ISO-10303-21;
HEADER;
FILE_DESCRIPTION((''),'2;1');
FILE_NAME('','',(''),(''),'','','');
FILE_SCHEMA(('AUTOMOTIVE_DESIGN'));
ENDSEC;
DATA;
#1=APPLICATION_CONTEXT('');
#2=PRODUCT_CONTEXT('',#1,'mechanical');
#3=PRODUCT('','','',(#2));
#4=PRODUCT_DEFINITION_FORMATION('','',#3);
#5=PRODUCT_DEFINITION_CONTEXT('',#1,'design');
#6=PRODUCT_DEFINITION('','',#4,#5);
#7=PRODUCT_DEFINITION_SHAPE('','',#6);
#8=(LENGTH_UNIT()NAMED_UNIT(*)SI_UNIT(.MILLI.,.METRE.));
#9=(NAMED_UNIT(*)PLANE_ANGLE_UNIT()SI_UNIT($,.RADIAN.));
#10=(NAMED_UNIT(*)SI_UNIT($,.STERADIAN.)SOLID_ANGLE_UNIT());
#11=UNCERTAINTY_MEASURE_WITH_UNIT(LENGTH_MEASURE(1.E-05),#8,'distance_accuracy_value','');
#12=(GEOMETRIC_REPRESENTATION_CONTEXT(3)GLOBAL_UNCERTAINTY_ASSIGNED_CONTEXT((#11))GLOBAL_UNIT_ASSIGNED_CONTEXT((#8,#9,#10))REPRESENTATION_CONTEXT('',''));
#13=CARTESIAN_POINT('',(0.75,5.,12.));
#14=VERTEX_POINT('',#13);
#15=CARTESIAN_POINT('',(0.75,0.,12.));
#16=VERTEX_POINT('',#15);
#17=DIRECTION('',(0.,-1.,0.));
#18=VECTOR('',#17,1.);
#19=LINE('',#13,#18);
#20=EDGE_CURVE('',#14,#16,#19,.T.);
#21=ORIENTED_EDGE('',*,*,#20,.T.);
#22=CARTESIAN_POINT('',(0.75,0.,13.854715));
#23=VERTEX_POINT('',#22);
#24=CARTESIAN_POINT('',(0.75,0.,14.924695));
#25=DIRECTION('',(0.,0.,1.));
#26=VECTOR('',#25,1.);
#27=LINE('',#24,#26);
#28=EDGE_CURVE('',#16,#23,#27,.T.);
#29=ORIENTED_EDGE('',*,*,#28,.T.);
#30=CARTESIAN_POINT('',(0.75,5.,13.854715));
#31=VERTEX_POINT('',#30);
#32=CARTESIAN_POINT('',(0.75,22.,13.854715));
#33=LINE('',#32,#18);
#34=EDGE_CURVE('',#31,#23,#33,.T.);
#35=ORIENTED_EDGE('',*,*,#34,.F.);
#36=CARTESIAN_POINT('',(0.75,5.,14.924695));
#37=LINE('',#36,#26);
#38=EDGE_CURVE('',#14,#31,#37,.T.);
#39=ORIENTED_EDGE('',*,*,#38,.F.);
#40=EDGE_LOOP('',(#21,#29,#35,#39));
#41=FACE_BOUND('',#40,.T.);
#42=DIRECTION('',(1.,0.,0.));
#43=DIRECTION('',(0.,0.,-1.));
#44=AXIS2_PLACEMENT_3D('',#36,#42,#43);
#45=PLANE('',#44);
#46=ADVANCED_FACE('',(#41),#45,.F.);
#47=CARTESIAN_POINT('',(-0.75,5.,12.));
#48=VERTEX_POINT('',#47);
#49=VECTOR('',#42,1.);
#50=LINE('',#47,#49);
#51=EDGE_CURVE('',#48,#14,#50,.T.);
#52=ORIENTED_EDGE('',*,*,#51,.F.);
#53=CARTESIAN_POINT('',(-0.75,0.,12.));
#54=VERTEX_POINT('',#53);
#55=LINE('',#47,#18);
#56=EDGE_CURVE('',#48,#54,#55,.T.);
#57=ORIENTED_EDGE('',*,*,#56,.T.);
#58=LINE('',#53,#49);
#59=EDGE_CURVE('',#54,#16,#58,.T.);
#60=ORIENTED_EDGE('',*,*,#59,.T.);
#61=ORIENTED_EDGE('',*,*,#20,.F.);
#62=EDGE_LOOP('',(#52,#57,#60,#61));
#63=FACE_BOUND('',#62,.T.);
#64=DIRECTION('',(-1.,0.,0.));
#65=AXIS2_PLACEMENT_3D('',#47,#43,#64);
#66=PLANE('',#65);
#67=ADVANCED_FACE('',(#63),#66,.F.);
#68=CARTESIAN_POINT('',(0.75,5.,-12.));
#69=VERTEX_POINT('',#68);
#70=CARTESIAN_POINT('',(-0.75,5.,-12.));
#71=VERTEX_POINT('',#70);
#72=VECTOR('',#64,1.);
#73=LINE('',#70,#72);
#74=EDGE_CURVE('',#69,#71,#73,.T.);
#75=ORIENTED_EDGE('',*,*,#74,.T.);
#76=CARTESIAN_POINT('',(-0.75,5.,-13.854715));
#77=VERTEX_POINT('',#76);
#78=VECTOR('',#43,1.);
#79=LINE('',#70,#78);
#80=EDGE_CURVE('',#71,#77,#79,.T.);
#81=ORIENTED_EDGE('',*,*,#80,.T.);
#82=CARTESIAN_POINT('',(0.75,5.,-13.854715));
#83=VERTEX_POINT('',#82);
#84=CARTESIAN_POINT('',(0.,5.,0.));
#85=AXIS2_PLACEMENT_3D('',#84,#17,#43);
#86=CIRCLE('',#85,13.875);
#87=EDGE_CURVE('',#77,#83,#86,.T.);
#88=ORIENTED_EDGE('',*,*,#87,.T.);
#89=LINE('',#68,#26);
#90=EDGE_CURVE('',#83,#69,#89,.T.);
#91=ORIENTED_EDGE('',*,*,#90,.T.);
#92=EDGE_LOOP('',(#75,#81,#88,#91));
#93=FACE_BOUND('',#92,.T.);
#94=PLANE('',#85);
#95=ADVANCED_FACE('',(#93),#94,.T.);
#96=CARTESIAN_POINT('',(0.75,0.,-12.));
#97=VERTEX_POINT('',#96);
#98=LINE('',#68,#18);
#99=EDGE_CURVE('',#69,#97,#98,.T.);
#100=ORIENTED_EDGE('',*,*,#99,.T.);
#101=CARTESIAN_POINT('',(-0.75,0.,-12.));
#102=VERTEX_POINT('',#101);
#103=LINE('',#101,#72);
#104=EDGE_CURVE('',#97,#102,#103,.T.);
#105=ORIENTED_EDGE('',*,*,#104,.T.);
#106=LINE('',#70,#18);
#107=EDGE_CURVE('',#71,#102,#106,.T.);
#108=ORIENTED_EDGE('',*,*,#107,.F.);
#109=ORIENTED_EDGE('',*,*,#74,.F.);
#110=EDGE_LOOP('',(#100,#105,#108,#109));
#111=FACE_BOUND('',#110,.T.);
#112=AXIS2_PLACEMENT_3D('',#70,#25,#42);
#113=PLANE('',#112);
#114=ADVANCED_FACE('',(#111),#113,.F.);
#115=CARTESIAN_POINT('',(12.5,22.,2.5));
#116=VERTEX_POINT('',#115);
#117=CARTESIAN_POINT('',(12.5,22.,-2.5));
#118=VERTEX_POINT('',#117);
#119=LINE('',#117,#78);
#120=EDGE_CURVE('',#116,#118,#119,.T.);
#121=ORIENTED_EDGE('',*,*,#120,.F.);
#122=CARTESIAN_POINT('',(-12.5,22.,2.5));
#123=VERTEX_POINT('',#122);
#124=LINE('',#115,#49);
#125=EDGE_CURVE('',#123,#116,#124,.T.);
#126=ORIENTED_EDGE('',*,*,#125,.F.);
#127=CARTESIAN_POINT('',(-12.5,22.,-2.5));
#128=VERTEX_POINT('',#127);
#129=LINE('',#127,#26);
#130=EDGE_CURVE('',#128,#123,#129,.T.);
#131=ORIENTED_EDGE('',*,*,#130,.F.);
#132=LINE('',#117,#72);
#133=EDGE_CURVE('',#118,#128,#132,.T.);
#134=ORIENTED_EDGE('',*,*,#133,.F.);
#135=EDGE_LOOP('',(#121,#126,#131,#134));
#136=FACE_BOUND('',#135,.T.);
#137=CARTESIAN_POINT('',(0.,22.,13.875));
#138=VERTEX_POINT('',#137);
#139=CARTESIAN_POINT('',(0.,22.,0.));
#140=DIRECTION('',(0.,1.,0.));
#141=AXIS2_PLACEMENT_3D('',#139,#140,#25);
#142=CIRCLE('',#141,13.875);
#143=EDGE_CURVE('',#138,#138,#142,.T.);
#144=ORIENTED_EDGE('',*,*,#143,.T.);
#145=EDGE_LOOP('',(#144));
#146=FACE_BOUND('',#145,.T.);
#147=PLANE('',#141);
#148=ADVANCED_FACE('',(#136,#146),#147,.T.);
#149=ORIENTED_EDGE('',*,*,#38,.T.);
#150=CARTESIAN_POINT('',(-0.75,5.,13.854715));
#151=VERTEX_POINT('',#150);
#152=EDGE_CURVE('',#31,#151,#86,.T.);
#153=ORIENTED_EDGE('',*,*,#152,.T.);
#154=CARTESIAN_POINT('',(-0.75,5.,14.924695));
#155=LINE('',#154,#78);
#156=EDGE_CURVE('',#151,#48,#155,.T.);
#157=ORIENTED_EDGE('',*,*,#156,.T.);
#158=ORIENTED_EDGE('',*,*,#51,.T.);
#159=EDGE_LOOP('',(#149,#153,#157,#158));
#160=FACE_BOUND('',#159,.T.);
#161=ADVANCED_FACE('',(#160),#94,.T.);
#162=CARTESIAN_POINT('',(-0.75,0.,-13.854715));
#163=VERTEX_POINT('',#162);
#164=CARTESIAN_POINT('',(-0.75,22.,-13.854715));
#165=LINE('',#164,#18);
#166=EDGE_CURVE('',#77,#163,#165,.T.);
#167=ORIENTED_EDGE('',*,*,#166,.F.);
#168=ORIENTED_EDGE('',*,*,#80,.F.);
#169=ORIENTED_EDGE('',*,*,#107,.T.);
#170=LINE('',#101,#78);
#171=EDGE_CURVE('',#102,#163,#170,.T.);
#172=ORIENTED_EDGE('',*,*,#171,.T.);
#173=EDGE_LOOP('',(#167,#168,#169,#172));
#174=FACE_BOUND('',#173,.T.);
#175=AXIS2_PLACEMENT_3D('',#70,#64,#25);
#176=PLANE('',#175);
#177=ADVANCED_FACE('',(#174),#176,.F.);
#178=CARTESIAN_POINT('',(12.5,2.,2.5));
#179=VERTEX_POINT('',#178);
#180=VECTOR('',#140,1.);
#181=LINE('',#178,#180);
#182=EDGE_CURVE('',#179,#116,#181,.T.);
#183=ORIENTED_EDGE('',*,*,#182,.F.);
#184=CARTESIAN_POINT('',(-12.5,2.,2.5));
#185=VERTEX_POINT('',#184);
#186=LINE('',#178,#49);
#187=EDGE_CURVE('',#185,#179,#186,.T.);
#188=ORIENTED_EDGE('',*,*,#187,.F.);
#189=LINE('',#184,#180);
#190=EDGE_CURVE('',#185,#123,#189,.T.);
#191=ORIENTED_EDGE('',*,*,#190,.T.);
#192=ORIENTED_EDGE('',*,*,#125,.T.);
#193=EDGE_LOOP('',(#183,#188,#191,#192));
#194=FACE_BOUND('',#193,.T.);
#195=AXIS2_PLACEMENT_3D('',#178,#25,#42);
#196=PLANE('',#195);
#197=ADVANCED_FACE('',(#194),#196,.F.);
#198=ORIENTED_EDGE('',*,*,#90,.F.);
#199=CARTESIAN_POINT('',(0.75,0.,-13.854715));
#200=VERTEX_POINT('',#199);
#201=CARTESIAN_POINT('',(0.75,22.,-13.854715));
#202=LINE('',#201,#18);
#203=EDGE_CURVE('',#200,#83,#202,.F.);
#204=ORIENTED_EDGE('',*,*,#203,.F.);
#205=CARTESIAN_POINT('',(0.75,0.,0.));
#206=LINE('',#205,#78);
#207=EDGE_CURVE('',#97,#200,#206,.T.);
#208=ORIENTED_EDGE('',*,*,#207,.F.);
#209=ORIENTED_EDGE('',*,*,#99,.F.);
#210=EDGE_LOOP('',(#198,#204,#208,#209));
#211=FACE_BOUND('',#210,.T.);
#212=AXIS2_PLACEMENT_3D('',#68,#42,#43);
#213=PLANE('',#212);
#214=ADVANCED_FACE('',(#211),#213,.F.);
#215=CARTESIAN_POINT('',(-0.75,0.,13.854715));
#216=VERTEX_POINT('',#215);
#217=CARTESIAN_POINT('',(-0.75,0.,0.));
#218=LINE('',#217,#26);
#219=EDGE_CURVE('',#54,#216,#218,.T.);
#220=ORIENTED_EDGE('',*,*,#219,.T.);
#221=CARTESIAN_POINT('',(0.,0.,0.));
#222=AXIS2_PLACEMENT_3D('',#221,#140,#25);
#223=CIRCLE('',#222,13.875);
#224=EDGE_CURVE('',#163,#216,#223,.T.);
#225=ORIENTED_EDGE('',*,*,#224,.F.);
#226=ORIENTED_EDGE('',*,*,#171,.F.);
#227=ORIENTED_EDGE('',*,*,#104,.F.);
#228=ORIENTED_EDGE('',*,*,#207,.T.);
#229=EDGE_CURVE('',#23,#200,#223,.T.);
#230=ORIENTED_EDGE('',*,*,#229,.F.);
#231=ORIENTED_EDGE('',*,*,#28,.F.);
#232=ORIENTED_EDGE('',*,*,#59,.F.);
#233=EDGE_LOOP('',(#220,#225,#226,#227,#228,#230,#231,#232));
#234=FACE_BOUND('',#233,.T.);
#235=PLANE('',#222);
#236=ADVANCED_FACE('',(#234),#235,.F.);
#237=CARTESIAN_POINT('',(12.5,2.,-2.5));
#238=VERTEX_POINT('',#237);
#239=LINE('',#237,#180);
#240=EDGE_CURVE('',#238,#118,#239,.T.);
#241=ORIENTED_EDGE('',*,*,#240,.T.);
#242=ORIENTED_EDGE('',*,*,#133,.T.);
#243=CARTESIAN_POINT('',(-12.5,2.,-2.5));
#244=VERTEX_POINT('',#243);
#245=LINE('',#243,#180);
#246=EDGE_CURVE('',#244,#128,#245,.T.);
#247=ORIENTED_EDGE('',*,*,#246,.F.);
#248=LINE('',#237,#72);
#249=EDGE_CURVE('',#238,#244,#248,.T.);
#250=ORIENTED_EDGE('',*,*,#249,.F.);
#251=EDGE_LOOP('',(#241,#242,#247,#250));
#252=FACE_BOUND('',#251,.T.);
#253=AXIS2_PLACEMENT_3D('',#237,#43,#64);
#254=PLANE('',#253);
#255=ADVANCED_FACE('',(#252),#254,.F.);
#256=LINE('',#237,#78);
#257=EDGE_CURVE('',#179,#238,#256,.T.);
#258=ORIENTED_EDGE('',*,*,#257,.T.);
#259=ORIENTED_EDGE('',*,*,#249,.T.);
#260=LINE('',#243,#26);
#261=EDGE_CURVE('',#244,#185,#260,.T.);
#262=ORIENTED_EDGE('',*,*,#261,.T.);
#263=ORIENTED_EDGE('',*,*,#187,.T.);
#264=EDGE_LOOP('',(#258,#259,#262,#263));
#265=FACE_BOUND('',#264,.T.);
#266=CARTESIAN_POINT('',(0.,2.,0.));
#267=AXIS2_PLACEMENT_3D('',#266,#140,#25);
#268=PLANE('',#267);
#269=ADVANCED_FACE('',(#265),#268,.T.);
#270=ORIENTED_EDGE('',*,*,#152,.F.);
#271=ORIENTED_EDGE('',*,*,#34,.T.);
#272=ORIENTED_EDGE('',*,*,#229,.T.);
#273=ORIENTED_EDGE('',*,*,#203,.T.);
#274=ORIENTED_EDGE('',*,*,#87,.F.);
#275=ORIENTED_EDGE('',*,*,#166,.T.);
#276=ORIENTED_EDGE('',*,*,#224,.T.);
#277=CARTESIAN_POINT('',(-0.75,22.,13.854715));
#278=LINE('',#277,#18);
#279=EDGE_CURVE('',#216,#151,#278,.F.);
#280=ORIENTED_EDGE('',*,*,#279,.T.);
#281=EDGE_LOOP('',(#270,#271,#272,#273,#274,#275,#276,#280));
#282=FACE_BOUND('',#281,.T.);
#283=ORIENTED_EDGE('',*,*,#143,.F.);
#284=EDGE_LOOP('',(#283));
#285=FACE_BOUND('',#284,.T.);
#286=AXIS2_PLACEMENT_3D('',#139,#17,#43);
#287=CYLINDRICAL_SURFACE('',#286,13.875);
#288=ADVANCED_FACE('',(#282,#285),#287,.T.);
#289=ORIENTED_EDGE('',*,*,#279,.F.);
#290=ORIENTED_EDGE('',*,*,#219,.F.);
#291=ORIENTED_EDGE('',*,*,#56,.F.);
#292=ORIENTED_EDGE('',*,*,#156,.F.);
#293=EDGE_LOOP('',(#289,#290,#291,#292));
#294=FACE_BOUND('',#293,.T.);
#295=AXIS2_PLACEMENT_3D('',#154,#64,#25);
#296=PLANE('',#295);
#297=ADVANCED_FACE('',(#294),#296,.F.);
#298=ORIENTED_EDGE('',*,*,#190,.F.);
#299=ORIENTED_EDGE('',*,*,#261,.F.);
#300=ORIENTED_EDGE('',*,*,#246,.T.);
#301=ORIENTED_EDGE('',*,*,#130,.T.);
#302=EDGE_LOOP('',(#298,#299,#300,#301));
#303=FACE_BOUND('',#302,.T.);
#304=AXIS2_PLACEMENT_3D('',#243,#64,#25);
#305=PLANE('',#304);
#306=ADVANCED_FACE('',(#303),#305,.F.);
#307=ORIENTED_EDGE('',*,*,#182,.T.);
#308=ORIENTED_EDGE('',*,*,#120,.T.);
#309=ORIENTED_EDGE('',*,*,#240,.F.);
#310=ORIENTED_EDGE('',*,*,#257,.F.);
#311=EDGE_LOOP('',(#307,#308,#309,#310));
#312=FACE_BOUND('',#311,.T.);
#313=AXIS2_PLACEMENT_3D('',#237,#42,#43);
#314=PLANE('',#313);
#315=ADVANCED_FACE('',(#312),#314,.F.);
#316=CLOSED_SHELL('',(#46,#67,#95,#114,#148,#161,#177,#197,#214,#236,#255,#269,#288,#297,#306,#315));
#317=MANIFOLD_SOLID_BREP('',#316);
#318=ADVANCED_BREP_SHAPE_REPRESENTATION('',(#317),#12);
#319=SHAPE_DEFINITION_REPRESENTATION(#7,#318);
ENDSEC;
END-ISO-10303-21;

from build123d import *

# Parameters (mm, degrees)
SKETCH1_R           = 13.875
BOSS_EXTRUDE1_DEPTH = 22
SKETCH2_W           = 1.5
SKETCH2_H           = 2.924695476
SKETCH2_H_2         = 4.466803309
CUT_EXTRUDE1_DEPTH  = 5
SKETCH3_W           = 25
SKETCH3_H           = 5
CUT_EXTRUDE2_DEPTH  = 20


with BuildPart() as part:
    # Sketch1 → Boss-Extrude1 (new body)
    with BuildSketch(Plane(origin=(0, 0, 0), x_dir=(1, 0, 0), z_dir=(0, 1, 0))):
        with Locations(Location((0, 0, 0), (0, 0, 270))):
            Circle(SKETCH1_R)
    extrude(amount=BOSS_EXTRUDE1_DEPTH)

    # Sketch2 → Cut-Extrude1 (cut)
    with BuildSketch(Plane.XZ):
        with Locations((0, 13.462347738)):
            Rectangle(SKETCH2_W, SKETCH2_H)
        with Locations((0, -14.233401654)):
            Rectangle(SKETCH2_W, SKETCH2_H_2)
    extrude(amount=-CUT_EXTRUDE1_DEPTH, mode=Mode.SUBTRACT)

    # Sketch3 → Cut-Extrude2 (cut)
    with BuildSketch(Plane(origin=(0, 22, 0), x_dir=(1, 0, 0), z_dir=(0, 1, 0))):
        Rectangle(SKETCH3_W, SKETCH3_H)
    extrude(amount=-CUT_EXTRUDE2_DEPTH, mode=Mode.SUBTRACT)


solid = part.part
